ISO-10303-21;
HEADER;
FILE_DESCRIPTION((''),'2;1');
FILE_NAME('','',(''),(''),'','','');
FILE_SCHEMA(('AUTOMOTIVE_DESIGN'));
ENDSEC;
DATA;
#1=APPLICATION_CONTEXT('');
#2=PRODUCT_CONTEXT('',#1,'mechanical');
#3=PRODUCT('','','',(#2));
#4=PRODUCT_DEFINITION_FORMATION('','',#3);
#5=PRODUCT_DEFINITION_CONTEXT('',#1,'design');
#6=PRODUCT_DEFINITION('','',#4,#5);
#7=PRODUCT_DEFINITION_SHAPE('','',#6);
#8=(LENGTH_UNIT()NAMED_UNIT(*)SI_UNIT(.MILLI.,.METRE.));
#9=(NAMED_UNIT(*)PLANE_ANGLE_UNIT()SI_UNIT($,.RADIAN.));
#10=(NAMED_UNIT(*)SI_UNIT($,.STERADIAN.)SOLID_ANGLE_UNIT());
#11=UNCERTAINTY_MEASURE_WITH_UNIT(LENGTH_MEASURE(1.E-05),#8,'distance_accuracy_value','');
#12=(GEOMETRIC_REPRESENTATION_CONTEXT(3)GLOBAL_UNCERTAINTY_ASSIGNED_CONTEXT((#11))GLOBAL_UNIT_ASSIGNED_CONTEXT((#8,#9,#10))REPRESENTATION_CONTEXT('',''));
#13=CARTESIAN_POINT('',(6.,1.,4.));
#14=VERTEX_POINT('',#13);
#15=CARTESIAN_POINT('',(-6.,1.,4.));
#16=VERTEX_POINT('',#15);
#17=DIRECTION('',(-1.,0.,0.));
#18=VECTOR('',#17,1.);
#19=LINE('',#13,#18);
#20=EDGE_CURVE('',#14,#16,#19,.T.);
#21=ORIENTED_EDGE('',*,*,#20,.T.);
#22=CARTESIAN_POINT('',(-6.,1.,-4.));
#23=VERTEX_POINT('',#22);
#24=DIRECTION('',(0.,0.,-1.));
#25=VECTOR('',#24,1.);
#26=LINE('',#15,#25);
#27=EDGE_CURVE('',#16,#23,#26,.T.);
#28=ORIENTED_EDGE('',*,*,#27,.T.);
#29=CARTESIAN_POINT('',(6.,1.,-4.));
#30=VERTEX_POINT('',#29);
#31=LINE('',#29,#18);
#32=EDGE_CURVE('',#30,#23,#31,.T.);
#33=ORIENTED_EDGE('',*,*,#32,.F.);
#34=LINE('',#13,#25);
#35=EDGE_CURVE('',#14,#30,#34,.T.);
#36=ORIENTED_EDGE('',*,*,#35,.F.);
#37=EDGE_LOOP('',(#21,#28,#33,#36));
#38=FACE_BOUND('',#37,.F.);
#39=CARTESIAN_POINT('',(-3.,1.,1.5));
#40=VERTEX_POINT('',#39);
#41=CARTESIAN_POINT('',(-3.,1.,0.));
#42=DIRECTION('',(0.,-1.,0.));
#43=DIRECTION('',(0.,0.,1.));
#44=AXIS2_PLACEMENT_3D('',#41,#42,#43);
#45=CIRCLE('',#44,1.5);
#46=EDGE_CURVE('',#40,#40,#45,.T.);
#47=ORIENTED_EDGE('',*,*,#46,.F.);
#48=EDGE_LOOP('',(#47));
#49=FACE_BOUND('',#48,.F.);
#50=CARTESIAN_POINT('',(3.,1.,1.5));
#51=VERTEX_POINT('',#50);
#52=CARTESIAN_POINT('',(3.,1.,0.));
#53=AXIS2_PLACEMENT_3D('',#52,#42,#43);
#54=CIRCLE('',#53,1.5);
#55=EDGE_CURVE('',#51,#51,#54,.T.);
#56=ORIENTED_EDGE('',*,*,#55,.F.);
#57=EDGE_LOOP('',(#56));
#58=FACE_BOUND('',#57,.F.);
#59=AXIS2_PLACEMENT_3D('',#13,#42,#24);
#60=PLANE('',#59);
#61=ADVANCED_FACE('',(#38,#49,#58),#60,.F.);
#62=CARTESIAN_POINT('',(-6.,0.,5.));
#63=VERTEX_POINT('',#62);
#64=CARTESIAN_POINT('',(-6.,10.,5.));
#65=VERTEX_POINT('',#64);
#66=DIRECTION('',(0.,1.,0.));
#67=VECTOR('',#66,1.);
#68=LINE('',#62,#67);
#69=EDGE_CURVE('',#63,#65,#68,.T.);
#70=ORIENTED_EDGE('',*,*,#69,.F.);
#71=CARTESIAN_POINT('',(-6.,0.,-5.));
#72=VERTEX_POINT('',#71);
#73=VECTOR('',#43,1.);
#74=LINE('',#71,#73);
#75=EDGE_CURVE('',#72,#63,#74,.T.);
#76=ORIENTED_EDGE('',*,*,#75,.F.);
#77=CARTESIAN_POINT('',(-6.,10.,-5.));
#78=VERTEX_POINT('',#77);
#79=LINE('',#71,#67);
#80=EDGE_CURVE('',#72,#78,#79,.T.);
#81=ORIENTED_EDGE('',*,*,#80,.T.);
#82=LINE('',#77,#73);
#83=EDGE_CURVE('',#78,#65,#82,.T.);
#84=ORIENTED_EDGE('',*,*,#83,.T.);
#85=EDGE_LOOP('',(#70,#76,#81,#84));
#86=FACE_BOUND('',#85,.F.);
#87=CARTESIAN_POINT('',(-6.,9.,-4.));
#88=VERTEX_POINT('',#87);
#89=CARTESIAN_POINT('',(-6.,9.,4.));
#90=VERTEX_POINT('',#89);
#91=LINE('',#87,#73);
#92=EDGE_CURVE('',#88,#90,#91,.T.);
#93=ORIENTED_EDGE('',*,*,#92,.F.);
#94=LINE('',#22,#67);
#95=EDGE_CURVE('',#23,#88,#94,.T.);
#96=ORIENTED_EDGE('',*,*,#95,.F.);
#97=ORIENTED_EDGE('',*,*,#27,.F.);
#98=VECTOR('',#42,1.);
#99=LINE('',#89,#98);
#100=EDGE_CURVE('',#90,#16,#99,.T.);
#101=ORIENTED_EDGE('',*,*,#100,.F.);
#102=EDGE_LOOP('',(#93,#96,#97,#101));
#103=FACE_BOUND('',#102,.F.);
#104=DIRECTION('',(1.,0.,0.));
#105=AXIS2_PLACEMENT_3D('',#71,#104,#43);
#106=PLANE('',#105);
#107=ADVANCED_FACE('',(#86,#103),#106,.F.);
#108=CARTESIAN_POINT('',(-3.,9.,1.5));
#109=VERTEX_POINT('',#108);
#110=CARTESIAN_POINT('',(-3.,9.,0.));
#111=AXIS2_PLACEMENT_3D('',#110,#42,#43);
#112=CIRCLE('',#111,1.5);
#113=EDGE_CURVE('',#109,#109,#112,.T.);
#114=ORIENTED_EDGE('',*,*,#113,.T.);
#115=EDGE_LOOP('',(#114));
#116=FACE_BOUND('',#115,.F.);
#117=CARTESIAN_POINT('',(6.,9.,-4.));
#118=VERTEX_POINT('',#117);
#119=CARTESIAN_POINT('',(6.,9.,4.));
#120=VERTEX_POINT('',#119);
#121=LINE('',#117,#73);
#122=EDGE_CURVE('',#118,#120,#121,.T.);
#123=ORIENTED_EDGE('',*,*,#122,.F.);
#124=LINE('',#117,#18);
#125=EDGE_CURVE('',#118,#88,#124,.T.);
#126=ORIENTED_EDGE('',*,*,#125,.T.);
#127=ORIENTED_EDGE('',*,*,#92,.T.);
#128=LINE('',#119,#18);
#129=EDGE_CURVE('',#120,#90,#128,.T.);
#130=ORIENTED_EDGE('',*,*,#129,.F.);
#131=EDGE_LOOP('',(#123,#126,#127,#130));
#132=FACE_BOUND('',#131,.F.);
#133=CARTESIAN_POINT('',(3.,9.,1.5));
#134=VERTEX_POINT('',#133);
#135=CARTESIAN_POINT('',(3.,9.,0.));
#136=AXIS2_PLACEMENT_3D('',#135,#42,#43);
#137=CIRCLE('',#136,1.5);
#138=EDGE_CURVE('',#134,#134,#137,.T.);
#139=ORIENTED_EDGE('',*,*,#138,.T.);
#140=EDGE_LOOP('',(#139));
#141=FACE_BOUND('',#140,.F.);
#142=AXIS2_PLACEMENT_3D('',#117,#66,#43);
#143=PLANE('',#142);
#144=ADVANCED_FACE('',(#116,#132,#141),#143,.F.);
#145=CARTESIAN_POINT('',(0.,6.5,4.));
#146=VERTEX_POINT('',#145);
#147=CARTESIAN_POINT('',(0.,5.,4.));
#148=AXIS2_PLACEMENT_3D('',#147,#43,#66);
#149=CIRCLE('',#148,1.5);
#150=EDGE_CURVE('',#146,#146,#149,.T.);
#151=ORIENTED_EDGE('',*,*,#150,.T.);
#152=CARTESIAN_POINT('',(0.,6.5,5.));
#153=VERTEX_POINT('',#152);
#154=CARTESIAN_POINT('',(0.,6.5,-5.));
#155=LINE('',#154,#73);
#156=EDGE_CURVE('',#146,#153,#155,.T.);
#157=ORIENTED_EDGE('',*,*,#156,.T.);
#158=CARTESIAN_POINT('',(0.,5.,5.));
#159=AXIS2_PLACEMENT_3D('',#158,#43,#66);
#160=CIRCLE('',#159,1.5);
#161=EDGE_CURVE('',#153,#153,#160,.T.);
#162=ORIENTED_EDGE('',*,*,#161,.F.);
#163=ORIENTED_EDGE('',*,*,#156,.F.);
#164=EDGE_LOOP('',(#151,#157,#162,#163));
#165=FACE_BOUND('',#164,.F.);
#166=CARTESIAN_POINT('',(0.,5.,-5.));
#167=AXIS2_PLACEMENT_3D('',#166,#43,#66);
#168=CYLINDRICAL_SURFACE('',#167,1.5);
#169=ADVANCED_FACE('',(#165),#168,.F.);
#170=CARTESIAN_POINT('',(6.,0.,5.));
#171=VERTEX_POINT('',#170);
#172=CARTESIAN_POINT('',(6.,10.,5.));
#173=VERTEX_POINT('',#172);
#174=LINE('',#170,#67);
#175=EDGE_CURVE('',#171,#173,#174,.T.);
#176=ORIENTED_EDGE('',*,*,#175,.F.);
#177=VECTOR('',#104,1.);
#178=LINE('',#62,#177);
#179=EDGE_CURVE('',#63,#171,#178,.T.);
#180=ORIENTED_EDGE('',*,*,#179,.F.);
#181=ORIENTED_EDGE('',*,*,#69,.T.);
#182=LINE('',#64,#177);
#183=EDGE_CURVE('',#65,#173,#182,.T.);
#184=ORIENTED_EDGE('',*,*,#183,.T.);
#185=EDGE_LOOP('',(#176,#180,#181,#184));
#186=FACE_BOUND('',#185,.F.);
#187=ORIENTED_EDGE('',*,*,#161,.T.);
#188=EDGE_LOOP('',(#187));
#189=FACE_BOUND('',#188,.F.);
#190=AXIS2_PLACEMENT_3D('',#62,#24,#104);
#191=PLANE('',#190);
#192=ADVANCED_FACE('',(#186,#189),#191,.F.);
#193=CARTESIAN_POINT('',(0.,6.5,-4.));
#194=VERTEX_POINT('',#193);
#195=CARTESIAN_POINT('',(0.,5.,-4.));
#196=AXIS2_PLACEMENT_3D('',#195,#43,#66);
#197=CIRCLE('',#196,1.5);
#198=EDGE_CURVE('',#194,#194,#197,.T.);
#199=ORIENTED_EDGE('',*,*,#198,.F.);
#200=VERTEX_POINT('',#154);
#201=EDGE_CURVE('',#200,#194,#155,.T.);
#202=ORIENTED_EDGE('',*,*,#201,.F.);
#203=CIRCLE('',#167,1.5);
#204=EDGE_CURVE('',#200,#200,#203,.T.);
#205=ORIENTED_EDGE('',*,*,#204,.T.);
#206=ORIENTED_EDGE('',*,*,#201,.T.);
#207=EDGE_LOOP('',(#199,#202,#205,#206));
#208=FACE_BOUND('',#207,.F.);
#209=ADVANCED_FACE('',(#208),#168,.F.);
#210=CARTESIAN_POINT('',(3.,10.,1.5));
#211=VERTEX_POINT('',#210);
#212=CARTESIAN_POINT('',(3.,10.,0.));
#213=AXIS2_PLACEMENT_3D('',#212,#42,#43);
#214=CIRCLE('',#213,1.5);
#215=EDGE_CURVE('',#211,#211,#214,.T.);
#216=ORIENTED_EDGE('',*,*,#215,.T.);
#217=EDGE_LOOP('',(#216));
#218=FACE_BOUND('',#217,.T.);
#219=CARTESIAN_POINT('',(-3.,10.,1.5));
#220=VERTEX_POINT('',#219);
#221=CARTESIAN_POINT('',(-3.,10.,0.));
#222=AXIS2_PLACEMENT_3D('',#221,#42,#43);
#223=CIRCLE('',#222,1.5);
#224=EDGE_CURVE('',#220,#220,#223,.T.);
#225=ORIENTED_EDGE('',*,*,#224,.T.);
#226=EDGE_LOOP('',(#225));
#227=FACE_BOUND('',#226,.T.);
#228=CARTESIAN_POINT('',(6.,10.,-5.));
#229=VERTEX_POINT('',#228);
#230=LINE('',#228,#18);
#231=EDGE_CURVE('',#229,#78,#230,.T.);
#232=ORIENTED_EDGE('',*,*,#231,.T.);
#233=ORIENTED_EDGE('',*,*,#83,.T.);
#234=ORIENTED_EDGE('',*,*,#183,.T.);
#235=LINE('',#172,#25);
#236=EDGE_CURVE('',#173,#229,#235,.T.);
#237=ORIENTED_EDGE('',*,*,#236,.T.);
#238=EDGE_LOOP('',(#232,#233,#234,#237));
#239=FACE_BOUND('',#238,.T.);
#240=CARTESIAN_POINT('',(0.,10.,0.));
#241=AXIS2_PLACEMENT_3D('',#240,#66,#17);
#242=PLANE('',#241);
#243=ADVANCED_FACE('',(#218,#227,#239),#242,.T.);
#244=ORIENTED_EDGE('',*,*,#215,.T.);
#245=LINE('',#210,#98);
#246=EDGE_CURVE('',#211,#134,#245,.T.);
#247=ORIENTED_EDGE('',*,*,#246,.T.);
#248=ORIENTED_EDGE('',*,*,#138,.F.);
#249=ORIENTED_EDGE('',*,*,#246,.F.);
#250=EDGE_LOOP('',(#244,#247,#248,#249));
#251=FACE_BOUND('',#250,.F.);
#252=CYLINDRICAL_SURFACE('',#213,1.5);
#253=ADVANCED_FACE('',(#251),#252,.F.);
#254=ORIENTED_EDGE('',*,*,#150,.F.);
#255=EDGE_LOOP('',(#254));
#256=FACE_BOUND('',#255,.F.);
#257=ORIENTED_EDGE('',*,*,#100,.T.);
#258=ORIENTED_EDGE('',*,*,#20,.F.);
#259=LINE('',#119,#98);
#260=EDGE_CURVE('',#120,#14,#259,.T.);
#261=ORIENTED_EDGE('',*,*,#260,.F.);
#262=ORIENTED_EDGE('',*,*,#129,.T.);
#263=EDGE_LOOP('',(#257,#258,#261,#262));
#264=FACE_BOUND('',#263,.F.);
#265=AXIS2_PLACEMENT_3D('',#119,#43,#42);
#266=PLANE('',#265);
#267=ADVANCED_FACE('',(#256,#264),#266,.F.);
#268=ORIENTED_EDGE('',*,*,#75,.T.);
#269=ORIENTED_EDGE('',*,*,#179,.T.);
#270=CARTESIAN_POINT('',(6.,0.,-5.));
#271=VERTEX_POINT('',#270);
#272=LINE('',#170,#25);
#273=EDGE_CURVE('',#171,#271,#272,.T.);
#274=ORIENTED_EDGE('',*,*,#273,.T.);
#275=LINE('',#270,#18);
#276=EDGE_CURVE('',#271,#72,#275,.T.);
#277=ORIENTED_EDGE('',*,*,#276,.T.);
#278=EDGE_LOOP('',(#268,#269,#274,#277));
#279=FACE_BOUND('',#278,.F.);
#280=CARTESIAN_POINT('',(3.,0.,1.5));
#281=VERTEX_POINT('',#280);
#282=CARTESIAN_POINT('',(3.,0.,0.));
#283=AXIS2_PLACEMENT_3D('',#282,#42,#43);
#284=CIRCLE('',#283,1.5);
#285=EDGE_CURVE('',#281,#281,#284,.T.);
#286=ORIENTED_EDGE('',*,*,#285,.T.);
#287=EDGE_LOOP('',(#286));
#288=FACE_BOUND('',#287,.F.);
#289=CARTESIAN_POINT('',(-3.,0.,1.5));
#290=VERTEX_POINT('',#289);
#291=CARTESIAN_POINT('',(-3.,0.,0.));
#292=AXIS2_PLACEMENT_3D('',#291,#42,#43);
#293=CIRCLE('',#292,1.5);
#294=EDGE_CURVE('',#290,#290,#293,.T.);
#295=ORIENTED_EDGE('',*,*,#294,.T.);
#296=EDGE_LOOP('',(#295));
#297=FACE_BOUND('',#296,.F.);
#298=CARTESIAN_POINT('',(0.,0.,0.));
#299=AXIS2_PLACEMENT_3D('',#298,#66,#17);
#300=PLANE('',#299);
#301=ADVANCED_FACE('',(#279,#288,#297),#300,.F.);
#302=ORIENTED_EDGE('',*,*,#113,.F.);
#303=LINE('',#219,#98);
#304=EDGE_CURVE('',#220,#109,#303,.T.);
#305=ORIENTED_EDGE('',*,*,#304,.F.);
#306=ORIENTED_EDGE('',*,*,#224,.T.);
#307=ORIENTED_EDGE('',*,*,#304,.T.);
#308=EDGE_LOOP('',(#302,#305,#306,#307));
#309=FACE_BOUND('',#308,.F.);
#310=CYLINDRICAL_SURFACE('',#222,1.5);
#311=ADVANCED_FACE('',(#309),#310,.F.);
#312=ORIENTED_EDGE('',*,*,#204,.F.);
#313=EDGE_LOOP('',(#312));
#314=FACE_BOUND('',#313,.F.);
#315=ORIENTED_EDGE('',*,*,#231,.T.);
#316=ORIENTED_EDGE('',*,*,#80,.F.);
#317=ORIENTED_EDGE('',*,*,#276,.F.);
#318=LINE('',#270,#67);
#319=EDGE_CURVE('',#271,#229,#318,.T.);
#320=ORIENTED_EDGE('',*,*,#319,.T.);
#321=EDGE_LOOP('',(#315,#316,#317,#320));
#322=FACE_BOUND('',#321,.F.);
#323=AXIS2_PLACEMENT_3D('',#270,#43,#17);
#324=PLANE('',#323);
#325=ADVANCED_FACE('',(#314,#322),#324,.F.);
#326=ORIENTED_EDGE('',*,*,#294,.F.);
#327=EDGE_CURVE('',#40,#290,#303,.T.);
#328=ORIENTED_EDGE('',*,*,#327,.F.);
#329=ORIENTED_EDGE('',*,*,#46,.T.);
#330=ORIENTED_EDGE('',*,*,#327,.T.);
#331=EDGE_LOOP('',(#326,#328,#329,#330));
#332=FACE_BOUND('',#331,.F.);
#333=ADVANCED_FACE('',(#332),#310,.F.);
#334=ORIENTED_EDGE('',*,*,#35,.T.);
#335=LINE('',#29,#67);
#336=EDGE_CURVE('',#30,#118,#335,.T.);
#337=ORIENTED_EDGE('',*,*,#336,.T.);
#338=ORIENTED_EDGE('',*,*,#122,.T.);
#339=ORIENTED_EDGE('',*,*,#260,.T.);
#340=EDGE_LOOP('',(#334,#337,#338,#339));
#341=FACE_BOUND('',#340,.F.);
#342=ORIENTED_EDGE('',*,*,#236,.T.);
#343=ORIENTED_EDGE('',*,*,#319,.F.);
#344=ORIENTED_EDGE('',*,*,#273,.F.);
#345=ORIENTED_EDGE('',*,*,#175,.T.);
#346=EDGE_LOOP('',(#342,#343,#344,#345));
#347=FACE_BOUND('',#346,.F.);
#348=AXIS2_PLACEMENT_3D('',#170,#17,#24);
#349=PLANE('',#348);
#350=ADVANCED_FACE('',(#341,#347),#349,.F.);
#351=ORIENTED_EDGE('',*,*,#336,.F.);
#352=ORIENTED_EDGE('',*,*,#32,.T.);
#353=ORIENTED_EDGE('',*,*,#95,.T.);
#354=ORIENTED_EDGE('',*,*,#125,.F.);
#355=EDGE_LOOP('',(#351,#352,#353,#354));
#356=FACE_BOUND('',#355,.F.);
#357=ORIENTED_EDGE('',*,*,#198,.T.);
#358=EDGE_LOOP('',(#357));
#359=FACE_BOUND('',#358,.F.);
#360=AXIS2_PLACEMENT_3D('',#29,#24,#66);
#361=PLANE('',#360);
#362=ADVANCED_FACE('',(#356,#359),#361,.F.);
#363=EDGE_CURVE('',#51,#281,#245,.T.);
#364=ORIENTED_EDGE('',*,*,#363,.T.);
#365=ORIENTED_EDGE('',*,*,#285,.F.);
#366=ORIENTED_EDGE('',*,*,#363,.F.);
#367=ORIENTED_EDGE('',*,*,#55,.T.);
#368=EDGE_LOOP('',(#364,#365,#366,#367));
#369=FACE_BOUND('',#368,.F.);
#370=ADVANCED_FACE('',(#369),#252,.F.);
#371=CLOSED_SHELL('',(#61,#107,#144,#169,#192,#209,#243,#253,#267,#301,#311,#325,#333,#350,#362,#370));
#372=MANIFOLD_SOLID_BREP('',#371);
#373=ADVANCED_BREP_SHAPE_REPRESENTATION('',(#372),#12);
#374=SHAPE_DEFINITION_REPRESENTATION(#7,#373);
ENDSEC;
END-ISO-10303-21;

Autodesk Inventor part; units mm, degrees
ref_plane "YZ Plane" through (0, 0, 0) normal (1, 0, 0) x (0, 1, 0)
ref_plane "XZ Plane" through (0, 0, 0) normal (0, 1, 0) x (-1, 0, 0)
ref_plane "XY Plane" through (0, 0, 0) normal (0, 0, 1) x (1, 0, 0)
sketch "スケッチ1" plane through (0, 0, 0) normal (0, 1, 0) x (-1, 0, 0)
  line L0 (-6, -5) -> (6, -5)
  line L1 (6, -5) -> (6, 5)
  line L2 (6, 5) -> (-6, 5)
  line L3 (-6, 5) -> (-6, -5)
  line L4 (-6, -5) -> (6, 5) construction
  line L5 (6, -5) -> (-6, 5) construction
  point P0 (0, 0)
  dimension "d0" = 12
  dimension "d1" = 10
extrude "押し出し1" add sketch "スケッチ1" along normal blind 10
sketch "スケッチ3" plane through (0, 10, 0) normal (0, 1, 0) x (1, 0, 0)
  line L0 (6, -5) -> (6, 5) projected
  line L1 (-6, 5) -> (-6, -5) projected
  point P0 (0, 0)
  point P1 (3, 0)
  point P2 (-3, 0)
  point P3 (-6, 0)
  dimension "d4" = 3
  dimension "d12" = 3
hole "穴1" at (3, 10, 0) at (-3, 10, 0) direction (0, -1, 0) diameter 3 end through all
sketch "スケッチ4" plane through (6, 0, -5) normal (0, 0, -1) x (-1, 0, 0)
  line L0 (0, 0) -> (12, 0) projected
  line L1 (12, 0) -> (12, 10) projected
  point P0 (6, 0)
  point P1 (6, 5)
  point P2 (6, 0)
  point P3 (12, 5)
hole "穴2" at (0, 5, -5) direction (0, 0, 1) diameter 3 end through all
sketch "スケッチ5" plane through (6, 0, 5) normal (1, 0, 0) x (0, 0, -1)
  line L0 (1, 1) -> (9, 1)
  line L1 (9, 1) -> (9, 9)
  line L2 (9, 9) -> (1, 9)
  line L3 (1, 9) -> (1, 1)
  line L4 (1, 1) -> (9, 9) construction
  line L5 (9, 1) -> (1, 9) construction
  line L6 (10, 0) -> (10, 10) projected
  point P0 (5, 0)
  point P1 (5, 5)
  point P2 (5, 5)
  point P3 (5, 5)
  point P4 (10, 5)
  dimension "d20" = 8
  dimension "d21" = 8
extrude "押し出し2" cut sketch "スケッチ5" against normal blind 12
properties part number "sensor_attach" material "アルミニウム 6061"
